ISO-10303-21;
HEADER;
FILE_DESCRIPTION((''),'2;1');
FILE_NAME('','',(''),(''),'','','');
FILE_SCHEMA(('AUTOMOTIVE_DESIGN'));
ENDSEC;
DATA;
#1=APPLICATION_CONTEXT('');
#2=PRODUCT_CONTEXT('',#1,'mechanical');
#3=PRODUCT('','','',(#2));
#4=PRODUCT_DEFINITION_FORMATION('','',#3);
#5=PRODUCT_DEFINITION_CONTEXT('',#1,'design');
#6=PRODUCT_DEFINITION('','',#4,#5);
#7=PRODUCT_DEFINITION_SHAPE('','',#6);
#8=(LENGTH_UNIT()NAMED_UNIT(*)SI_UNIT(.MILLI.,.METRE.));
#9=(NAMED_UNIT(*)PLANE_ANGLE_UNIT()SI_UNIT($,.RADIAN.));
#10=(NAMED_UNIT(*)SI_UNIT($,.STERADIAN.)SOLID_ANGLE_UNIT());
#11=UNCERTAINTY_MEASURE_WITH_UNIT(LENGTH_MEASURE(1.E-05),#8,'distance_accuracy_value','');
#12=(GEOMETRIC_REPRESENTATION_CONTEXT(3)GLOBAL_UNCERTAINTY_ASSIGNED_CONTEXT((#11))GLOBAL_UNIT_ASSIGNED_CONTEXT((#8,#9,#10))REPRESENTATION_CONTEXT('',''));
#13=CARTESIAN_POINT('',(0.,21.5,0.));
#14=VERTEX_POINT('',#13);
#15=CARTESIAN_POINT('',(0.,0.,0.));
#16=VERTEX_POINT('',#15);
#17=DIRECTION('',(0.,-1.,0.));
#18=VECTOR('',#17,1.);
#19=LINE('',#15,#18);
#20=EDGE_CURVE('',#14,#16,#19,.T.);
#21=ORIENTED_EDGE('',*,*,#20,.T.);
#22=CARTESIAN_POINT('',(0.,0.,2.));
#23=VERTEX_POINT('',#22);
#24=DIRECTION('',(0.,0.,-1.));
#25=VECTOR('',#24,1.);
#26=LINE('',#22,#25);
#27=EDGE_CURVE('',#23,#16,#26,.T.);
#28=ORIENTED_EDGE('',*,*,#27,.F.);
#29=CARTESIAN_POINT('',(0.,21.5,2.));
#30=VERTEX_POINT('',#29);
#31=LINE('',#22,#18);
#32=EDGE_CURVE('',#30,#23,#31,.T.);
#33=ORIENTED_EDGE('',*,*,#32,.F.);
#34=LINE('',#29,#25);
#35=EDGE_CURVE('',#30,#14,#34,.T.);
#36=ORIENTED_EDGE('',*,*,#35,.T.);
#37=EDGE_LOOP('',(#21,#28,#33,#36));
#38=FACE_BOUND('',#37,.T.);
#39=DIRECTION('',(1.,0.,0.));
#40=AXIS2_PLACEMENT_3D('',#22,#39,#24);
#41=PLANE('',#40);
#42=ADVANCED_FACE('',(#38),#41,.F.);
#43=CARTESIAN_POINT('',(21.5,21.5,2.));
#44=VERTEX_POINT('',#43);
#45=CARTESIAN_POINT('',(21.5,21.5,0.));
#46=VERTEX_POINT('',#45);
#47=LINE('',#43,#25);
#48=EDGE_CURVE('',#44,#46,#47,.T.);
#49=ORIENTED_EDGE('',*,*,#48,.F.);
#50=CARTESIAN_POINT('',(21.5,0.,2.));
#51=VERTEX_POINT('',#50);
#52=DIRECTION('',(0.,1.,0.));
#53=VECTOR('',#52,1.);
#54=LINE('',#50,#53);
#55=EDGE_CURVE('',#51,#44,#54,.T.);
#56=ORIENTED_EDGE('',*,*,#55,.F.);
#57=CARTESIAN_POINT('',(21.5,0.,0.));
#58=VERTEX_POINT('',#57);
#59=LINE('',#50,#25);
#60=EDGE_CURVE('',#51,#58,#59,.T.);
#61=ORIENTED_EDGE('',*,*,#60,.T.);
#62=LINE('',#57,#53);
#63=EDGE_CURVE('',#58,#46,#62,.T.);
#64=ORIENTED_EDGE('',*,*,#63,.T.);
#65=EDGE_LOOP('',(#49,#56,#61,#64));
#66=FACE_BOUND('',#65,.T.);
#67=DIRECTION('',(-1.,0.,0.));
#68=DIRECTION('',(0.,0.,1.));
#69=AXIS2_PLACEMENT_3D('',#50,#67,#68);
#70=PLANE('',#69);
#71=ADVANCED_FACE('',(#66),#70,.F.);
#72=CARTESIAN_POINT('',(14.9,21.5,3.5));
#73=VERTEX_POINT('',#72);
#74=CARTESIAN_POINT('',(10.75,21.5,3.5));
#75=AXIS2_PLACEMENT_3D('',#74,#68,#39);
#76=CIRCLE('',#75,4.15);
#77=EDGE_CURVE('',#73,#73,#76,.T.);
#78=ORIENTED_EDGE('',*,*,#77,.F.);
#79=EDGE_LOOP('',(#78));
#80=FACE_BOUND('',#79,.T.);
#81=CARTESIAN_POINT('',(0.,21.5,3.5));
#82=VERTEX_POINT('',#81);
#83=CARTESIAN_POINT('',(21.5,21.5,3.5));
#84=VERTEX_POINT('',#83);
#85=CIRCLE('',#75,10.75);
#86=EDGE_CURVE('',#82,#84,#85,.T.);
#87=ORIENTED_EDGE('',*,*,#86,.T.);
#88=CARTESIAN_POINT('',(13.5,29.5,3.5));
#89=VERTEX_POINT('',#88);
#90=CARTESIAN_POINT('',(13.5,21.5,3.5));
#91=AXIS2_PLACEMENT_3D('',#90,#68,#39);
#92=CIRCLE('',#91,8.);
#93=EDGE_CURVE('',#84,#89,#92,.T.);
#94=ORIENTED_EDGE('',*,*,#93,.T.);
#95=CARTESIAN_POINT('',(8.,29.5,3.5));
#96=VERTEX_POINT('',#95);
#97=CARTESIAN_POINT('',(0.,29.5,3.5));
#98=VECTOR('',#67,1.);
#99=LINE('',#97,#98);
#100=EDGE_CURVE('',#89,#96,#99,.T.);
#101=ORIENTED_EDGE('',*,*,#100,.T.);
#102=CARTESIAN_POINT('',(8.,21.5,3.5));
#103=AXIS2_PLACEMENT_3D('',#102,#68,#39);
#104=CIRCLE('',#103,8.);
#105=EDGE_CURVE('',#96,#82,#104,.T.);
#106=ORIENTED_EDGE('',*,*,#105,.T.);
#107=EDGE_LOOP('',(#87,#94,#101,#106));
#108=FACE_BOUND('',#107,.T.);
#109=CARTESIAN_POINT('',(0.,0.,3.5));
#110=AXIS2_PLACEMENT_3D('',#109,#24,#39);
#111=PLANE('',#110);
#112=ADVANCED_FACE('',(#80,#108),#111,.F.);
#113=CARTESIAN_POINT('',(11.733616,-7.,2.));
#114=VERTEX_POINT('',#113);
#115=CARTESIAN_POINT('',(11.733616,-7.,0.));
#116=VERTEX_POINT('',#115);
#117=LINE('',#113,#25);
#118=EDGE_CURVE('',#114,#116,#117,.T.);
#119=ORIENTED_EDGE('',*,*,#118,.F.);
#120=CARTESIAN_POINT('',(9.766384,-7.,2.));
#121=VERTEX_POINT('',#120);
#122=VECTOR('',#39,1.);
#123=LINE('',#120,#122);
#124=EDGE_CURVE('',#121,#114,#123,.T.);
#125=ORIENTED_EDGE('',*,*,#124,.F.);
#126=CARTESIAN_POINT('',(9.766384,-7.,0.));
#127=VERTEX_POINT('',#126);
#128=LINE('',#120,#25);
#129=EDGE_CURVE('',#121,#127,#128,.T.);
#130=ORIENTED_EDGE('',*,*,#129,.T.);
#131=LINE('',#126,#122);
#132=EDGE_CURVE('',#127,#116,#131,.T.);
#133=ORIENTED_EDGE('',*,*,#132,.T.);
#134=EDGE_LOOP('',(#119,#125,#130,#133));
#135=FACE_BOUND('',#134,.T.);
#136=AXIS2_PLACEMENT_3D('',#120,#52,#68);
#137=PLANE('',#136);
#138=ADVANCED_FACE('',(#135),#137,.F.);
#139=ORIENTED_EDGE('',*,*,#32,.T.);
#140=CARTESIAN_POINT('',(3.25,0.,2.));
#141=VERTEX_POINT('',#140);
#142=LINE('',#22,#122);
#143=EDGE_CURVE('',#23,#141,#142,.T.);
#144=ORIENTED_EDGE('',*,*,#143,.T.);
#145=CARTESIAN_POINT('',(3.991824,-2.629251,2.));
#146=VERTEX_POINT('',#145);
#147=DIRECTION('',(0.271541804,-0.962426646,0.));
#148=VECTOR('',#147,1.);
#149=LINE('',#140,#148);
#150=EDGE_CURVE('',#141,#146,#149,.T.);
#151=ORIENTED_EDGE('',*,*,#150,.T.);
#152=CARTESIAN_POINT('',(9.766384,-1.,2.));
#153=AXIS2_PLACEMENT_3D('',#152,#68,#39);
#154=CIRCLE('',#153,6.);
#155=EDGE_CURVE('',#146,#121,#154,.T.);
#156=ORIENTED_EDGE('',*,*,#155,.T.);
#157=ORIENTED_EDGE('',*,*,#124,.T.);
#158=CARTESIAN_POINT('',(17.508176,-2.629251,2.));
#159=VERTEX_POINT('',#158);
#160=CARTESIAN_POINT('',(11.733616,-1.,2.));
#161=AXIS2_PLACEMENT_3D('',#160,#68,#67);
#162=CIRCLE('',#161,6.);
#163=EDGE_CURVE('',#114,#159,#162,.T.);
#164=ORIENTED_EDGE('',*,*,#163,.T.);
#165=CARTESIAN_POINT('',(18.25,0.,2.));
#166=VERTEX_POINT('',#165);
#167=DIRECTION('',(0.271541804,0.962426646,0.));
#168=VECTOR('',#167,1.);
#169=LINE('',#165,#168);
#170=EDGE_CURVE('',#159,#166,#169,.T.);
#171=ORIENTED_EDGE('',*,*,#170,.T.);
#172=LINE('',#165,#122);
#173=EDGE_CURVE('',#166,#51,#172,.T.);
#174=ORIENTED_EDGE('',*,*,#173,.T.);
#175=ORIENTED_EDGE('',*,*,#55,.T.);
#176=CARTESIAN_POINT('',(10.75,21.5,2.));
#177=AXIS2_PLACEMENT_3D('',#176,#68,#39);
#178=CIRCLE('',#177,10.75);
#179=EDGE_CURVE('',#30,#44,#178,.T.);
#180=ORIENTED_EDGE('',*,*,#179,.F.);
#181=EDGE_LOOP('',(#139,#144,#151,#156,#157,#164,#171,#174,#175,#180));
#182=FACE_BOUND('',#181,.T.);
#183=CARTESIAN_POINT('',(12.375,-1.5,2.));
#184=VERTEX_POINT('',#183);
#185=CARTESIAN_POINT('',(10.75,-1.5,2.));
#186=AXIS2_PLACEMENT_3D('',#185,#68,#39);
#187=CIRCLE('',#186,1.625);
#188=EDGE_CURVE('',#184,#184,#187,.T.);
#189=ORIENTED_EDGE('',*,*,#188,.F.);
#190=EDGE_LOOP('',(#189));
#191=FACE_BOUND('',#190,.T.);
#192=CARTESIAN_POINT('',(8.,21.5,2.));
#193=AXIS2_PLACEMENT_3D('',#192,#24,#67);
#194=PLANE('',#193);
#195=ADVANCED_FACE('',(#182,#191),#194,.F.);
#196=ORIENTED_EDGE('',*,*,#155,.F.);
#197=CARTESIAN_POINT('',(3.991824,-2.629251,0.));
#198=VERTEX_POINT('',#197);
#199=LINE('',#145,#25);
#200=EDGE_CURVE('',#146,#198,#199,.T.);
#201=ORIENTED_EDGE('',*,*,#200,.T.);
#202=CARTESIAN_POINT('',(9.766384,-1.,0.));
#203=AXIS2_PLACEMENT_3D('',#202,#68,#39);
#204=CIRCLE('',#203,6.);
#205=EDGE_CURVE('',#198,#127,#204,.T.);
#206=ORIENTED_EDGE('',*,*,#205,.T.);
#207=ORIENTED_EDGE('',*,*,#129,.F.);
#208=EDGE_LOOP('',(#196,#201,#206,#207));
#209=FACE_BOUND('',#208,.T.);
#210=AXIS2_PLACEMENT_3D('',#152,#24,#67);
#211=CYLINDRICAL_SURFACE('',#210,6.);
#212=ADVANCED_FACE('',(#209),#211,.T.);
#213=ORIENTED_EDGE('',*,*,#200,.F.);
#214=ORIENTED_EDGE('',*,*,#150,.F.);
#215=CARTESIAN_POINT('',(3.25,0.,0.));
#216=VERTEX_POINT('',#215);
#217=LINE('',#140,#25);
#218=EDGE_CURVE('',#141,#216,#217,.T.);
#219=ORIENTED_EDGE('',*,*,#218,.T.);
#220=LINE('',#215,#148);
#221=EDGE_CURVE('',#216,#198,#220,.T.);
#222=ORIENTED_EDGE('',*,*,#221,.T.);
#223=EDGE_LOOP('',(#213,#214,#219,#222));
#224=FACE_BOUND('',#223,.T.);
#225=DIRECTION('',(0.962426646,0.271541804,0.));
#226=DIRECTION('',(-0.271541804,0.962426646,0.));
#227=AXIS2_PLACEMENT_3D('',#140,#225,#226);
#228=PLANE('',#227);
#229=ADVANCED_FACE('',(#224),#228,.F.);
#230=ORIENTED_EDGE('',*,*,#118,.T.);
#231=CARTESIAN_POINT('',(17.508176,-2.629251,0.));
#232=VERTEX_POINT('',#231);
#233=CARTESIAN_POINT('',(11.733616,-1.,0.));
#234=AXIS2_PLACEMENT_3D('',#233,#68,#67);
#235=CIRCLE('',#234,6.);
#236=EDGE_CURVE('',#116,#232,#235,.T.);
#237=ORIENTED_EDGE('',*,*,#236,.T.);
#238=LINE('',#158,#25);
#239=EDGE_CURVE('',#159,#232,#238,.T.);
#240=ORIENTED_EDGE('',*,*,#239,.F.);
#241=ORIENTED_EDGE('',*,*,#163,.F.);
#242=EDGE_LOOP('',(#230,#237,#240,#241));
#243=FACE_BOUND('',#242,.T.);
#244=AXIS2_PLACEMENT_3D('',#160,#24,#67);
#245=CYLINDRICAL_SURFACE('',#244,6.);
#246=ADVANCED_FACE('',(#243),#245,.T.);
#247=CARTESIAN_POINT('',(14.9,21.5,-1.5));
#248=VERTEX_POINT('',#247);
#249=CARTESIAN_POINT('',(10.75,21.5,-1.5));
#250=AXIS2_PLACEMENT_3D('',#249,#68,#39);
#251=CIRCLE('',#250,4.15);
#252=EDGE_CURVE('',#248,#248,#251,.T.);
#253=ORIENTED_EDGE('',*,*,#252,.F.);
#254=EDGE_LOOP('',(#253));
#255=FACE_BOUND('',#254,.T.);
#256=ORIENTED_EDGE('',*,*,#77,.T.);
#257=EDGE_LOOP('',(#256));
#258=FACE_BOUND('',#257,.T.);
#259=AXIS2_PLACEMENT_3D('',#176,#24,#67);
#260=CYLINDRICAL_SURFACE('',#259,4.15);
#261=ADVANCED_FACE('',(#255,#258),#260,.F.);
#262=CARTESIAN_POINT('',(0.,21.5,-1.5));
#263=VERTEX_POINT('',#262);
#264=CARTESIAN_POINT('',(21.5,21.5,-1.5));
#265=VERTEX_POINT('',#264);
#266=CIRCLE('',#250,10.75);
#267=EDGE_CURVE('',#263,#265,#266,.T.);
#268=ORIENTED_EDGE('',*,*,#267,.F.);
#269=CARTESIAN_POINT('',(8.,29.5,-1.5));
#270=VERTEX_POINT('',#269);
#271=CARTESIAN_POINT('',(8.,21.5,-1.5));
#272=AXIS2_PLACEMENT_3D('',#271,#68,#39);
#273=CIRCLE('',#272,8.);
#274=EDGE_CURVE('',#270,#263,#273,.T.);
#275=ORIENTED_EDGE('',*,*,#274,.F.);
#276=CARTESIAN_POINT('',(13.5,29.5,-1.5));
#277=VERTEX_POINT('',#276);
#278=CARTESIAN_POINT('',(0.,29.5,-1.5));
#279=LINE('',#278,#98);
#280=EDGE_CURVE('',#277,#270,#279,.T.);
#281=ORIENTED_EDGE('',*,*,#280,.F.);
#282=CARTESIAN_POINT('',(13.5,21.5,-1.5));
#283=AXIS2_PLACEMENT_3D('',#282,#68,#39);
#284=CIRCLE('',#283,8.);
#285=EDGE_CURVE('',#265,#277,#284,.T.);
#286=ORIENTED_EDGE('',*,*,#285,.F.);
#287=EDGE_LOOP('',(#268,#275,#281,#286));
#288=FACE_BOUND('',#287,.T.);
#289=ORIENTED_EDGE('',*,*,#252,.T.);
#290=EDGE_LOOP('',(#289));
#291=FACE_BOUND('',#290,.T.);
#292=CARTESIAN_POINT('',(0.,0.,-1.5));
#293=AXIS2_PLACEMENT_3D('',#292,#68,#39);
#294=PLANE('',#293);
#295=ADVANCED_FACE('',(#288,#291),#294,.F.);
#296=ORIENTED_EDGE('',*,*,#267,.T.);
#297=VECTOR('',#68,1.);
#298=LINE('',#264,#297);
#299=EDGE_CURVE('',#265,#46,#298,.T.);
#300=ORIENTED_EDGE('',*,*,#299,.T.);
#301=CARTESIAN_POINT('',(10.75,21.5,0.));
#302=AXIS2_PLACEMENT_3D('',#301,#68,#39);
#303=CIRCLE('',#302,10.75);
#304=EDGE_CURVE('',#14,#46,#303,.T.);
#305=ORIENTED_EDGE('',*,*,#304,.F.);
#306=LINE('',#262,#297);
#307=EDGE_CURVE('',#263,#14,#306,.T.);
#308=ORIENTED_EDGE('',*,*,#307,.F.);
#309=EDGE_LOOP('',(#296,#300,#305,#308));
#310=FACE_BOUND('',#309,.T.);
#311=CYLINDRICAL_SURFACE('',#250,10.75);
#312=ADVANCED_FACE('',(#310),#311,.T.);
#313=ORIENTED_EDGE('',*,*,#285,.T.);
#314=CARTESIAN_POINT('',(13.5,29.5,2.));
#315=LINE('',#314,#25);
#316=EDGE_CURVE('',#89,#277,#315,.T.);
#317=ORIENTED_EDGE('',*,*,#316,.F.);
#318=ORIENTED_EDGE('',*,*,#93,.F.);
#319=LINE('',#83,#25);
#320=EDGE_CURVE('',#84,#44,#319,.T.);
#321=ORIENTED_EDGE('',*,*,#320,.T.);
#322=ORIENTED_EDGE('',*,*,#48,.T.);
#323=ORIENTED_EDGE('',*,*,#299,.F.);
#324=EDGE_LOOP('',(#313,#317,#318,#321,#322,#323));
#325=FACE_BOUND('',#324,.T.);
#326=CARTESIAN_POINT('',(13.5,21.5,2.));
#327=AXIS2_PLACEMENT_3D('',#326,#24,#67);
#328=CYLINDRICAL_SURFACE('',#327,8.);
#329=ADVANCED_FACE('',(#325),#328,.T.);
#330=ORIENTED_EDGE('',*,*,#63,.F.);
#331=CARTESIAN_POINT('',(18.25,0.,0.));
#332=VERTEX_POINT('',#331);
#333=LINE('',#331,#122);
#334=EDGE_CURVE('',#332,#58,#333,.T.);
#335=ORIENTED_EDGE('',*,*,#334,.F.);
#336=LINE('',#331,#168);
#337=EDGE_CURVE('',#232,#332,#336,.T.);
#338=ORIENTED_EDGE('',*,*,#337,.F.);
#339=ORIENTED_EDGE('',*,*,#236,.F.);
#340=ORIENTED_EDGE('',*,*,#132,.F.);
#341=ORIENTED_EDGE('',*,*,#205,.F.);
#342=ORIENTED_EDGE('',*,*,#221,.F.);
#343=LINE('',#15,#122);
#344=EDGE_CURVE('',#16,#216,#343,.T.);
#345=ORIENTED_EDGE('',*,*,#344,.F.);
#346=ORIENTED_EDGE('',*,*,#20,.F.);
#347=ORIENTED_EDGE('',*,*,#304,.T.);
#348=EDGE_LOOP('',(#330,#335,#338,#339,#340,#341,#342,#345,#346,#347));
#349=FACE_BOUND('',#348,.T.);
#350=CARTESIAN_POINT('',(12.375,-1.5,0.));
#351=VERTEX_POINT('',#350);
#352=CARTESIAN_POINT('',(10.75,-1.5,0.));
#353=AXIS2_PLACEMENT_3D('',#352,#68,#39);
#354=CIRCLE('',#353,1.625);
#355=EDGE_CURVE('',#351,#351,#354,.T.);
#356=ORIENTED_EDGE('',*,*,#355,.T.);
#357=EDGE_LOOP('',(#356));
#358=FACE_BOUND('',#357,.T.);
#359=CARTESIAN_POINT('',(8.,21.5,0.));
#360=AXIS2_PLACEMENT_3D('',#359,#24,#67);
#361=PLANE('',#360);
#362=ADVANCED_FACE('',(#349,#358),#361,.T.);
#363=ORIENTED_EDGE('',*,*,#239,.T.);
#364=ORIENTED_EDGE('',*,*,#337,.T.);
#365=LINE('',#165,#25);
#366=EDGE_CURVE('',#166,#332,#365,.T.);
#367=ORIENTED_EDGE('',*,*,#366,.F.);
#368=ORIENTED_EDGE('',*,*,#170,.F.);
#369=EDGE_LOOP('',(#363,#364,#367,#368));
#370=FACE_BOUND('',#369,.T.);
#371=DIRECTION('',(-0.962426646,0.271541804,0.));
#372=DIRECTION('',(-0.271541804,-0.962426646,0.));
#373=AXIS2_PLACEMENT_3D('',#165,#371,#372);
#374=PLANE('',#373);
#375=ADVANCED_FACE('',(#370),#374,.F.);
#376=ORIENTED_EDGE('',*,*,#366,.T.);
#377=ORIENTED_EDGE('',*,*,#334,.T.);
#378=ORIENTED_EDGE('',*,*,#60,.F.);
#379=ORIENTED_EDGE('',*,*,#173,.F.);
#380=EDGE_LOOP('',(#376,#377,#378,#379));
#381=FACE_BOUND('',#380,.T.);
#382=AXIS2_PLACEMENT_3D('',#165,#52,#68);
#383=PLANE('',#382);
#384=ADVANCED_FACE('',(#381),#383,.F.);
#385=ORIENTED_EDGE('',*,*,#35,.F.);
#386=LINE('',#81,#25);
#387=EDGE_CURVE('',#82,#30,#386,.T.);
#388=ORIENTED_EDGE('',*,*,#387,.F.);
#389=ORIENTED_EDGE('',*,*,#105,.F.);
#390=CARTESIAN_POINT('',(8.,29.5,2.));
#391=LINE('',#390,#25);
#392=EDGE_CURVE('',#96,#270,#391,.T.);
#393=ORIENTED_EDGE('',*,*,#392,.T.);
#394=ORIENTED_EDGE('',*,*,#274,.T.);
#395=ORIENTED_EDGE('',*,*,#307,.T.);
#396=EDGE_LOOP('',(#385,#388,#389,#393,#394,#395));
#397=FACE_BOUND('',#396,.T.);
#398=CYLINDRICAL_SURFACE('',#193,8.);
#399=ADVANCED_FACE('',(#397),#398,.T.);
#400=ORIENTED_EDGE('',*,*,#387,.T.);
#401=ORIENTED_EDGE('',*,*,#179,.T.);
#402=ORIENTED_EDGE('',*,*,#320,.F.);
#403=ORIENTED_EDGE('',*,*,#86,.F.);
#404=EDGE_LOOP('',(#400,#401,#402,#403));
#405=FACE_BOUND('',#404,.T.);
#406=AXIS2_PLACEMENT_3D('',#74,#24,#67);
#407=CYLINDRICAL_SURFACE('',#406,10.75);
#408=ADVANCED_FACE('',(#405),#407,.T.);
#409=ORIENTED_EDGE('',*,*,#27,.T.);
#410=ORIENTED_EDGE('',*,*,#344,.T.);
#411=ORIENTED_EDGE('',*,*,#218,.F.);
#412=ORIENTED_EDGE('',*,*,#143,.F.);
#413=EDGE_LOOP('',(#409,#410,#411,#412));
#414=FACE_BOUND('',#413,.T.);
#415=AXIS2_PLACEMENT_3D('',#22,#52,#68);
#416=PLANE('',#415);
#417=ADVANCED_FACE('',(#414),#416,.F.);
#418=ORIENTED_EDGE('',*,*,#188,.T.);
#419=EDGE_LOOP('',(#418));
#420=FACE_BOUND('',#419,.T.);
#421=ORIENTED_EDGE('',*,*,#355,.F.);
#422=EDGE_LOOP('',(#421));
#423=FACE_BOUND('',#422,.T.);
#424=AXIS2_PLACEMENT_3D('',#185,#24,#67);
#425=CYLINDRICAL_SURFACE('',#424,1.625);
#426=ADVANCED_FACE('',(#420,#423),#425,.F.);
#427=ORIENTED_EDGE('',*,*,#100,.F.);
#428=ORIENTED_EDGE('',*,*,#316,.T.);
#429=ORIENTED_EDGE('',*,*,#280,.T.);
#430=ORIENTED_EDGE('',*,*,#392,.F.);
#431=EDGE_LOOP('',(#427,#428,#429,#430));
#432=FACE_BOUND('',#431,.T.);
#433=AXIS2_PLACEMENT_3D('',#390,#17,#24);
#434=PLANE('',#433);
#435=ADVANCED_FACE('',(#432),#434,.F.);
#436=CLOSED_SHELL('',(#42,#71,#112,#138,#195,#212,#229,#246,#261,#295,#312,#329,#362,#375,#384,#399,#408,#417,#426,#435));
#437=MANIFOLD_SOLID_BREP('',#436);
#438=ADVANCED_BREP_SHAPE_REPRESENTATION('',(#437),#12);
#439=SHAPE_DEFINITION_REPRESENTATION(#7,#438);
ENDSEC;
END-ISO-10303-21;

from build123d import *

# Parameters (mm, degrees)
ESQUISSE1_R             = 4.15
ESQUISSE1_R_2           = 1.625
BOSS_EXTRU_1_DEPTH      = 2
SALIENTE_EXTRUIR1_START = -1.5
CROQUIS1_R              = 4.15
SALIENTE_EXTRUIR1_DEPTH = 1.5


with BuildPart() as part:
    # Esquisse1 → Boss.-Extru.1 (new body)
    with BuildSketch(Plane.XY):
        with BuildLine():
            Line((3.25, 0), (3.991824339, -2.629250822))
            ThreePointArc((3.991824339, -2.629250822), (6.145300464, -5.784114596), (9.766384215, -7))
            Line((9.766384215, -7), (11.733615785, -7))
            ThreePointArc((11.733615785, -7), (15.354699536, -5.784114596), (17.508175661, -2.629250822))
            Line((17.508175661, -2.629250822), (18.25, 0))
            Line((18.25, 0), (21.5, 0))
            Line((21.5, 0), (21.5, 21.5))
            ThreePointArc((21.5, 21.5), (19.156854249, 27.156854249), (13.5, 29.5))
            Line((13.5, 29.5), (8, 29.5))
            ThreePointArc((8, 29.5), (2.343145751, 27.156854249), (0, 21.5))
            Line((0, 21.5), (0, 0))
            Line((0, 0), (3.25, 0))
        make_face()
        with Locations((10.75, 21.5)):
            Circle(ESQUISSE1_R, mode=Mode.SUBTRACT)
        with Locations((10.75, -1.5)):
            Circle(ESQUISSE1_R_2, mode=Mode.SUBTRACT)
    extrude(amount=BOSS_EXTRU_1_DEPTH)

    # Croquis1 → Saliente-Extruir1 (add)
    with BuildSketch(Plane.XY.offset(SALIENTE_EXTRUIR1_START)):
        with BuildLine():
            ThreePointArc((0, 21.5), (3.148602144, 13.898602061), (10.750000117, 10.75))
            ThreePointArc((10.750000117, 10.75), (18.351397939, 13.898602144), (21.5, 21.5))
            ThreePointArc((21.5, 21.5), (19.156854249, 27.156854249), (13.5, 29.5))
            Line((13.5, 29.5), (8, 29.5))
            ThreePointArc((8, 29.5), (2.343145751, 27.156854249), (0, 21.5))
        make_face()
        with Locations((10.75, 21.5)):
            Circle(CROQUIS1_R, mode=Mode.SUBTRACT)
    saliente_extruir1 = extrude(amount=SALIENTE_EXTRUIR1_DEPTH)

    # Simetría1: Saliente-Extruir1 across plane
    add(saliente_extruir1.mirror(Plane(origin=(0, 0, 1), x_dir=(1, 0, 0), z_dir=(0, 0, -1))))


solid = part.part
